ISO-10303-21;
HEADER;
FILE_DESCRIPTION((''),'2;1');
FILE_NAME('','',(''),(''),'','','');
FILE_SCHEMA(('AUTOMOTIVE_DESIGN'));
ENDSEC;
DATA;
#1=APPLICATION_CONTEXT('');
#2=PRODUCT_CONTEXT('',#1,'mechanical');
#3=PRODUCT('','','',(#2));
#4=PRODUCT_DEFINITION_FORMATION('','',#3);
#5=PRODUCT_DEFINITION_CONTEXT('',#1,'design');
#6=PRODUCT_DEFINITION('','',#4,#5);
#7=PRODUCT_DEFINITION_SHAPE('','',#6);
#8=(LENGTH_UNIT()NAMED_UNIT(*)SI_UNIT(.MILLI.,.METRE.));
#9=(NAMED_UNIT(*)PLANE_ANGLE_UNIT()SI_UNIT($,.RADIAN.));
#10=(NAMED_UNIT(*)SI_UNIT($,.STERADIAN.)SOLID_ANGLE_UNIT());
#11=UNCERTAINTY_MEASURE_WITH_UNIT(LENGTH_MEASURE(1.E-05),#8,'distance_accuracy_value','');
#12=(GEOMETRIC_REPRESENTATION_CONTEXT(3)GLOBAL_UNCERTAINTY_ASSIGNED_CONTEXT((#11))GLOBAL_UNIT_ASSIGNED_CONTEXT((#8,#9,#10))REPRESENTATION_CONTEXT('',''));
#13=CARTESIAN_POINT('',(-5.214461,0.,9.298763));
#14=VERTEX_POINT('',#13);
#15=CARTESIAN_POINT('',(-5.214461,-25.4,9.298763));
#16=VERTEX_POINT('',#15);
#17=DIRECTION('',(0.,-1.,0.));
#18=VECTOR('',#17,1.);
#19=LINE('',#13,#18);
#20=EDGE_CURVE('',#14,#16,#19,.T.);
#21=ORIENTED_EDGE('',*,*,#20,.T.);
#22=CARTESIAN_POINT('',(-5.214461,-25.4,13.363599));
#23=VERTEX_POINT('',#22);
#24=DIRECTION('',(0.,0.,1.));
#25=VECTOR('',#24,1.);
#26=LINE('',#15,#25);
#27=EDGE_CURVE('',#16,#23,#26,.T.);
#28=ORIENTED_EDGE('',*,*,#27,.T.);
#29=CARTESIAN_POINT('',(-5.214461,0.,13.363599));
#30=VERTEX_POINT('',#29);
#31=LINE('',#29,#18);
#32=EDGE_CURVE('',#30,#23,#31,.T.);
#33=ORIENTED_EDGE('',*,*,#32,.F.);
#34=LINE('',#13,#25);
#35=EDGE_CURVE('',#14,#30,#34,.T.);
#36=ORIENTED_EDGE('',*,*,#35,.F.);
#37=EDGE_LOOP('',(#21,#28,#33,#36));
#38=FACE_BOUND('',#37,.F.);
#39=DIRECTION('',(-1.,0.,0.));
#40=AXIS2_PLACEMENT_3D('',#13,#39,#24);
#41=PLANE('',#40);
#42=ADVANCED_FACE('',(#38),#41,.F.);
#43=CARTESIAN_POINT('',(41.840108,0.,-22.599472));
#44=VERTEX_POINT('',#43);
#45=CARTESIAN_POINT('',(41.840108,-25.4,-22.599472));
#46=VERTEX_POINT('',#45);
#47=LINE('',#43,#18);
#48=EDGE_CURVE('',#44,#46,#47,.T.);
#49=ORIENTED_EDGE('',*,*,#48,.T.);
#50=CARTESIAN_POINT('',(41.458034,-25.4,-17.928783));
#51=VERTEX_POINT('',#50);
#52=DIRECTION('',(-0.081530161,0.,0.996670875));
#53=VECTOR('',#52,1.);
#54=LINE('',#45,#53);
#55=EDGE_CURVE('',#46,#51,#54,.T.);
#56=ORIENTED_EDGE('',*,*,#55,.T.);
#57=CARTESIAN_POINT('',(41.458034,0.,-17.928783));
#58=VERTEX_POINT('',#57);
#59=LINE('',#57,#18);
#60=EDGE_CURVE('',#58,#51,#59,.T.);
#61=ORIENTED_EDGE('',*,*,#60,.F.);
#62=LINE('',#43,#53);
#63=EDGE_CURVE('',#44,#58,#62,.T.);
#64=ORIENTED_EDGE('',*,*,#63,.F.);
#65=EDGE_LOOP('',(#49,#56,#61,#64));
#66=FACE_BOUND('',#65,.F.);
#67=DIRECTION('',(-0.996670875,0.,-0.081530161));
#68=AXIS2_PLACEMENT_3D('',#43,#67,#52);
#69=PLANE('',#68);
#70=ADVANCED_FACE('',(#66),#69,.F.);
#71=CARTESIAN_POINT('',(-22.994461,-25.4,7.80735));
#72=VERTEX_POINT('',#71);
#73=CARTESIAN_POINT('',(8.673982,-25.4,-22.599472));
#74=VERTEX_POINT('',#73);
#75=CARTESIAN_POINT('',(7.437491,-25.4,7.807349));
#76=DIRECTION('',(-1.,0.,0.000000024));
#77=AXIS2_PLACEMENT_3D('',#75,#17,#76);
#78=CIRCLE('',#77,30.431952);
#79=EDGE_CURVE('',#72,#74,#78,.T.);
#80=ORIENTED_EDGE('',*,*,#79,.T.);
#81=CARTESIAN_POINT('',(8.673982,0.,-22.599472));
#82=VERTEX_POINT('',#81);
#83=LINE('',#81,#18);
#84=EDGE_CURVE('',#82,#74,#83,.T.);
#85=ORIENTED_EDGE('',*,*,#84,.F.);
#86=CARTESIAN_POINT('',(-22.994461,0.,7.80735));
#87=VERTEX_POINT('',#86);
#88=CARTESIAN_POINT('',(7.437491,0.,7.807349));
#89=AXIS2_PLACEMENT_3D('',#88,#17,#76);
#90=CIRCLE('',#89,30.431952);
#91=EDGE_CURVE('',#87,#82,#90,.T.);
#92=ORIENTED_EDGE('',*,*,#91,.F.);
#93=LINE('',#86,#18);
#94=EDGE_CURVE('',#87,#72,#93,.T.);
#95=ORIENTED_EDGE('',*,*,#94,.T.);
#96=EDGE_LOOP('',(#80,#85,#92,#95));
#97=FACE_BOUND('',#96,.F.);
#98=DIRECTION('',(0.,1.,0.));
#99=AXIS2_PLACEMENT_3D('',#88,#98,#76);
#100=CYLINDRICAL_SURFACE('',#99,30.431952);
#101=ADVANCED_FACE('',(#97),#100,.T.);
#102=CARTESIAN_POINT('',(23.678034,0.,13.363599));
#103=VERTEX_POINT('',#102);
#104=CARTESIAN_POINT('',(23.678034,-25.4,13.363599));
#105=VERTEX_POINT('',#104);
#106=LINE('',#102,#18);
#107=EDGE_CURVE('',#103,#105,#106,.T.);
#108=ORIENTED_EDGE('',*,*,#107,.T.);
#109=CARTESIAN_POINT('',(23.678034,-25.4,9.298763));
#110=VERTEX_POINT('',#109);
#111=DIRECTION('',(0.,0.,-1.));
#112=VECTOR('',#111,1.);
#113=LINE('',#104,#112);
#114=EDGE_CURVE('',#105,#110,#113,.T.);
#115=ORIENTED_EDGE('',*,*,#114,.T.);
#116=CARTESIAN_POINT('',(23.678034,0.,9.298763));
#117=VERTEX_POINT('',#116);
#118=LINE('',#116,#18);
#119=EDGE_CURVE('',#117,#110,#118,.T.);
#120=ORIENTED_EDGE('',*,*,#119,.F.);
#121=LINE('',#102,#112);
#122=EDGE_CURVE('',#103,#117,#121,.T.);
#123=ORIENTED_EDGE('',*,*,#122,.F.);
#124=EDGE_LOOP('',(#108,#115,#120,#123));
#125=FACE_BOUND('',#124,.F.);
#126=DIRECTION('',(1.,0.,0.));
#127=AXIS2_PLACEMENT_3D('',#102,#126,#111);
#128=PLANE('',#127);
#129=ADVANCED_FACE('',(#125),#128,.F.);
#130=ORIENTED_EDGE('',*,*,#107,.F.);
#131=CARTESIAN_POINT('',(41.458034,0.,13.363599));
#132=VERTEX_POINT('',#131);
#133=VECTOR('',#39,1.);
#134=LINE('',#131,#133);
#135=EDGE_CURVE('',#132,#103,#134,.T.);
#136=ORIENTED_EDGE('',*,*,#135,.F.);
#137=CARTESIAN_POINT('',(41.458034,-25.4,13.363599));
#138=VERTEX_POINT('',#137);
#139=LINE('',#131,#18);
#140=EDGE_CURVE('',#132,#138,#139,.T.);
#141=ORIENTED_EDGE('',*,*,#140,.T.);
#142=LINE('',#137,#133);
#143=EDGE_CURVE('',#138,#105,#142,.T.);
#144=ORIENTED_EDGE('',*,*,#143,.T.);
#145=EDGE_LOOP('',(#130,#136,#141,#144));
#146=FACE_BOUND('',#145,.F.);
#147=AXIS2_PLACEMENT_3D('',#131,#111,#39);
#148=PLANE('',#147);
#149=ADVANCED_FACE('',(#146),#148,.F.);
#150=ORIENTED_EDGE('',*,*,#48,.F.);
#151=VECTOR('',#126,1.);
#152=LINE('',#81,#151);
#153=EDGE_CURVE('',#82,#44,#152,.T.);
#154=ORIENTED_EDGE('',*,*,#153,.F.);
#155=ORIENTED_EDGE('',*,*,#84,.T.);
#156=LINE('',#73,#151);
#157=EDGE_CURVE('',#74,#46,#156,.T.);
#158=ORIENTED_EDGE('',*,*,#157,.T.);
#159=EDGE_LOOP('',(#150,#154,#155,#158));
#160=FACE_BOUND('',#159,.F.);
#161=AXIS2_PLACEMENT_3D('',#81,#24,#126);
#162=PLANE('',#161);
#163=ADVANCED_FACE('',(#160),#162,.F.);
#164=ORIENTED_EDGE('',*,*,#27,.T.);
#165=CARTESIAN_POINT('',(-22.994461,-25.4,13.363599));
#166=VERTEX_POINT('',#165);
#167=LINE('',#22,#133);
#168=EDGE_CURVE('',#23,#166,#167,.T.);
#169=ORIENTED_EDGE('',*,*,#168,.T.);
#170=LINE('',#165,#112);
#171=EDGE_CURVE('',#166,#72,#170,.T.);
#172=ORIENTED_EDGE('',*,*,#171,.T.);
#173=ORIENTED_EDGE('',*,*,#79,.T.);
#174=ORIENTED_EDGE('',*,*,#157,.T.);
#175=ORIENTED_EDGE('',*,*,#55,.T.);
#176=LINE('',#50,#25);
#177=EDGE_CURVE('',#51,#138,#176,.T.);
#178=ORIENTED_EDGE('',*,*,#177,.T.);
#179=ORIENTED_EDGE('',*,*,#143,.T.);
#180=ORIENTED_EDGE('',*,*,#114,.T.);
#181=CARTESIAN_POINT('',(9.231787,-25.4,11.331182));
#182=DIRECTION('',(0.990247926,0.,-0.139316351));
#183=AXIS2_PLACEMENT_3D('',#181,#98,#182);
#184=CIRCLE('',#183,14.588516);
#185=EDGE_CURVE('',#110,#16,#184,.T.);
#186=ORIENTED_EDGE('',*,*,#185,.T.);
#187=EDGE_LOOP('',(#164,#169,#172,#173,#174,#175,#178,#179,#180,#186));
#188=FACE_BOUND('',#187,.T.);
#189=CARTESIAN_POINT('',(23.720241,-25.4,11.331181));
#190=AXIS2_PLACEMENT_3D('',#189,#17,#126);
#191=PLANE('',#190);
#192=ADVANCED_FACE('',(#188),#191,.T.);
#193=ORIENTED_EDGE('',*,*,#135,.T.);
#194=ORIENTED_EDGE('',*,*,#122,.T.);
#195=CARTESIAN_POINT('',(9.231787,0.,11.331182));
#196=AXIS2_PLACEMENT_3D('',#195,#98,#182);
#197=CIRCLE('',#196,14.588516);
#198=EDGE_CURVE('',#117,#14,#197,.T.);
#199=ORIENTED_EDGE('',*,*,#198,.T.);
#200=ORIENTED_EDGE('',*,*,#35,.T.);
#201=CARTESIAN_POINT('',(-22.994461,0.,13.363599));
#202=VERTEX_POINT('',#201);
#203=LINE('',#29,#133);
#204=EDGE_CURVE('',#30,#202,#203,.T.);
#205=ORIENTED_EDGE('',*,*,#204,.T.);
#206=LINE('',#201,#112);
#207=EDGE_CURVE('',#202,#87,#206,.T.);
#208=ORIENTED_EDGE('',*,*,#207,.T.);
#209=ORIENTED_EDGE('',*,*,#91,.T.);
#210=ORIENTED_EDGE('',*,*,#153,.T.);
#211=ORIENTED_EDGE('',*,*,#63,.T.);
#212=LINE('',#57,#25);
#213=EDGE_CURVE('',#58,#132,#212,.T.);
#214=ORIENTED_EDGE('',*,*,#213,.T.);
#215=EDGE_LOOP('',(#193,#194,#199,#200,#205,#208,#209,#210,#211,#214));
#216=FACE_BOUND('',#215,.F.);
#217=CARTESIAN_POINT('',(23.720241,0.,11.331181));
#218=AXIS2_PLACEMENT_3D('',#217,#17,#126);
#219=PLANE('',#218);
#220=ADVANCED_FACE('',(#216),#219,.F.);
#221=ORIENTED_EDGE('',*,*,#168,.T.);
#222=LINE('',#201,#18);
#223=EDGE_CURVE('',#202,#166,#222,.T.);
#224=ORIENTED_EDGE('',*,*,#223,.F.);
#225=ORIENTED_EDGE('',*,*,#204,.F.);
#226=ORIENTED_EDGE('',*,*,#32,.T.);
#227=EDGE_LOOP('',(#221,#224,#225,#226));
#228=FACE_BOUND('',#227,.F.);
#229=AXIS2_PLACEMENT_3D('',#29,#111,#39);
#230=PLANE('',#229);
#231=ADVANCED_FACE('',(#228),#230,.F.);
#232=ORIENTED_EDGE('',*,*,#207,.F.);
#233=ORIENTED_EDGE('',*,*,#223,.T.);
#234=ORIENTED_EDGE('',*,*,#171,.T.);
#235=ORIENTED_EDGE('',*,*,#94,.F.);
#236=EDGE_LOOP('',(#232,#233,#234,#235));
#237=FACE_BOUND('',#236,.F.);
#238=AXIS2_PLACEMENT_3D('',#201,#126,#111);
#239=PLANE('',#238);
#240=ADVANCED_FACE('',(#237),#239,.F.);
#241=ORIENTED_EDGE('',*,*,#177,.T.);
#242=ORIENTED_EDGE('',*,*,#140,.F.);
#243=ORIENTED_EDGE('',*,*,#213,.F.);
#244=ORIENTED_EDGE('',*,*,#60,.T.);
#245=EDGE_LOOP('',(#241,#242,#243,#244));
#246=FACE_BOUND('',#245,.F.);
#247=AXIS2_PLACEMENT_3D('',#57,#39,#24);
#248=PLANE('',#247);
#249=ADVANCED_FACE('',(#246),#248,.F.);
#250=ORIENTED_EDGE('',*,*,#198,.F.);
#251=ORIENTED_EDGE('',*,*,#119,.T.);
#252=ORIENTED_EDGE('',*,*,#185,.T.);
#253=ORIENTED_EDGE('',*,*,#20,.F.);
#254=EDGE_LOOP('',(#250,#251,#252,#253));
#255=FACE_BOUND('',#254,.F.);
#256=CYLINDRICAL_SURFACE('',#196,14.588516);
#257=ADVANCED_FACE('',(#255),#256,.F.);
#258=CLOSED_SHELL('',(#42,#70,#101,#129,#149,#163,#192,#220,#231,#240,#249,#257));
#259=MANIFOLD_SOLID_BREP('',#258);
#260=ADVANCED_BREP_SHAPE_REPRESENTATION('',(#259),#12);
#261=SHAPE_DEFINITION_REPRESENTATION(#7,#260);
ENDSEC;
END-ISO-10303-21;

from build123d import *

# Parameters (mm, degrees)
F1_DEPTH = 25.4


with BuildPart() as f1:
    # F0 (on Front) → F1 (new body)
    with BuildSketch(Plane.XZ):
        with BuildLine():
            ThreePointArc((23.678034, 9.298763), (23.820302, 11.331181), (23.678034, 13.363599))
            Line((23.678034, 13.363599), (23.678034, 9.298763))
        make_face()
        with BuildLine():
            Line((41.458034, 13.363599), (23.678034, 13.363599))
            ThreePointArc((23.678034, 13.363599), (23.820302, 11.331181), (23.678034, 9.298763))
            ThreePointArc((23.678034, 9.298763), (9.231786, -3.257334), (-5.214461, 9.298763))
            ThreePointArc((-5.214461, 9.298763), (-5.356729, 11.331181), (-5.214461, 13.363599))
            Line((-5.214461, 13.363599), (-22.994461, 13.363599))
            Line((-22.994461, 13.363599), (-22.994461, 7.80735))
            ThreePointArc((-22.994461, 7.80735), (-13.63945, -14.144103), (8.673982, -22.599472))
            Line((8.673982, -22.599472), (41.840108, -22.599472))
            Line((41.840108, -22.599472), (41.458034, -17.928783))
            Line((41.458034, -17.928783), (41.458034, 13.363599))
        make_face()
        with BuildLine():
            ThreePointArc((-5.214461, 13.363599), (-5.356729, 11.331181), (-5.214461, 9.298763))
            Line((-5.214461, 9.298763), (-5.214461, 13.363599))
        make_face()
    extrude(amount=F1_DEPTH)


solid = f1.part
